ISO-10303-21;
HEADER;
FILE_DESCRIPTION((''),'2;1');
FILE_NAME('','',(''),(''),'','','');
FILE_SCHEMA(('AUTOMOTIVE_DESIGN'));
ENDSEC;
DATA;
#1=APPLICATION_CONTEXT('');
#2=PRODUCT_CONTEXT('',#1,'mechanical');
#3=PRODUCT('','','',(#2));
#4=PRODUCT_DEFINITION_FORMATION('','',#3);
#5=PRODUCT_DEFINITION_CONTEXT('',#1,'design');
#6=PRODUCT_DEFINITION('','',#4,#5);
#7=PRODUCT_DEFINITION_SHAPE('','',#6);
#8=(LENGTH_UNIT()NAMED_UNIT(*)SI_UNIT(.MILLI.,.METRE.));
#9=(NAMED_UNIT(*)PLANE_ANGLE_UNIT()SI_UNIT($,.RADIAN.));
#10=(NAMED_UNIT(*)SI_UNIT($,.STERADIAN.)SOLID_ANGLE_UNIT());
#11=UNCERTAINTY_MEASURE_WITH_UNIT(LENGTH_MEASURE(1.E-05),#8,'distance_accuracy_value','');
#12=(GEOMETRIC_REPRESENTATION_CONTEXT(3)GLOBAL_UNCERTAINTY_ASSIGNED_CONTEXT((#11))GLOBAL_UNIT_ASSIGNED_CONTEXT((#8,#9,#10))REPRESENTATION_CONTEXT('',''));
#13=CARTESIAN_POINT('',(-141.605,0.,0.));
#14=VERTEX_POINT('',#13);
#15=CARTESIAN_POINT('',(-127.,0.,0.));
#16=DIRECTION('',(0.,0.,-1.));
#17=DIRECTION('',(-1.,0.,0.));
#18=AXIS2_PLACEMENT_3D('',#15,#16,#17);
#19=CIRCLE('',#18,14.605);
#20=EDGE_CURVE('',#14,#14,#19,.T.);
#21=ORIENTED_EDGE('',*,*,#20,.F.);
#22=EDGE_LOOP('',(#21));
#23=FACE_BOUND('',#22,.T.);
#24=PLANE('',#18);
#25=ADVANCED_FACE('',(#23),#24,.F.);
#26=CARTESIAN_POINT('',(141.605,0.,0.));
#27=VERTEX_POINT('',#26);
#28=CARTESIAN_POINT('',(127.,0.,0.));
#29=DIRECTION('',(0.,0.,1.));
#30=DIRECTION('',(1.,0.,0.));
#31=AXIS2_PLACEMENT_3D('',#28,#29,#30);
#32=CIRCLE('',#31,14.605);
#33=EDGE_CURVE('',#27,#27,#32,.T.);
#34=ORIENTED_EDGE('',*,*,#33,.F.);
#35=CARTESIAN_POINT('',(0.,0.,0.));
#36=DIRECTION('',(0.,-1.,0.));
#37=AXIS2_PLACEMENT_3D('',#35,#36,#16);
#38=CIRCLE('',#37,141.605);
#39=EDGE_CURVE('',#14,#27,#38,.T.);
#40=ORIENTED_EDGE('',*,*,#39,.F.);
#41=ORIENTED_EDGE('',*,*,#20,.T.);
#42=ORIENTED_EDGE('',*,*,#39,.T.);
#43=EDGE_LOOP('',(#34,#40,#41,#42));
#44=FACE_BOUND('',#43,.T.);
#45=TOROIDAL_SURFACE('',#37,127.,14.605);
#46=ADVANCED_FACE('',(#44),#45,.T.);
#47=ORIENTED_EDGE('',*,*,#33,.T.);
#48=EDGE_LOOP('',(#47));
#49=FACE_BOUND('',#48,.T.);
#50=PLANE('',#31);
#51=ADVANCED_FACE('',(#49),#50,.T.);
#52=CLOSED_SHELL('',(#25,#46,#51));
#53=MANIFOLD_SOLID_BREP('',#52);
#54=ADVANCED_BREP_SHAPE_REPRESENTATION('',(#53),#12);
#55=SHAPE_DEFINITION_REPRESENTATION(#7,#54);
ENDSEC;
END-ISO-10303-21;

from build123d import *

# Parameters (mm, degrees)
SKETCH2_R = 14.605


with BuildPart() as part:
    # Sweep1: sweep along a path in Sketch1
    with BuildLine(Plane(origin=(0, 0, 0), x_dir=(1, 0, 0), z_dir=(0, 1, 0))) as sweep1_path:
        ThreePointArc((127, 0), (0, 127), (-127, 0))
    # Sketch2 → Sweep1 (sweep)
    with BuildSketch(Plane.XY):
        with Locations((127, 0)):
            Circle(SKETCH2_R)
    sweep(path=sweep1_path.line)


solid = part.part
